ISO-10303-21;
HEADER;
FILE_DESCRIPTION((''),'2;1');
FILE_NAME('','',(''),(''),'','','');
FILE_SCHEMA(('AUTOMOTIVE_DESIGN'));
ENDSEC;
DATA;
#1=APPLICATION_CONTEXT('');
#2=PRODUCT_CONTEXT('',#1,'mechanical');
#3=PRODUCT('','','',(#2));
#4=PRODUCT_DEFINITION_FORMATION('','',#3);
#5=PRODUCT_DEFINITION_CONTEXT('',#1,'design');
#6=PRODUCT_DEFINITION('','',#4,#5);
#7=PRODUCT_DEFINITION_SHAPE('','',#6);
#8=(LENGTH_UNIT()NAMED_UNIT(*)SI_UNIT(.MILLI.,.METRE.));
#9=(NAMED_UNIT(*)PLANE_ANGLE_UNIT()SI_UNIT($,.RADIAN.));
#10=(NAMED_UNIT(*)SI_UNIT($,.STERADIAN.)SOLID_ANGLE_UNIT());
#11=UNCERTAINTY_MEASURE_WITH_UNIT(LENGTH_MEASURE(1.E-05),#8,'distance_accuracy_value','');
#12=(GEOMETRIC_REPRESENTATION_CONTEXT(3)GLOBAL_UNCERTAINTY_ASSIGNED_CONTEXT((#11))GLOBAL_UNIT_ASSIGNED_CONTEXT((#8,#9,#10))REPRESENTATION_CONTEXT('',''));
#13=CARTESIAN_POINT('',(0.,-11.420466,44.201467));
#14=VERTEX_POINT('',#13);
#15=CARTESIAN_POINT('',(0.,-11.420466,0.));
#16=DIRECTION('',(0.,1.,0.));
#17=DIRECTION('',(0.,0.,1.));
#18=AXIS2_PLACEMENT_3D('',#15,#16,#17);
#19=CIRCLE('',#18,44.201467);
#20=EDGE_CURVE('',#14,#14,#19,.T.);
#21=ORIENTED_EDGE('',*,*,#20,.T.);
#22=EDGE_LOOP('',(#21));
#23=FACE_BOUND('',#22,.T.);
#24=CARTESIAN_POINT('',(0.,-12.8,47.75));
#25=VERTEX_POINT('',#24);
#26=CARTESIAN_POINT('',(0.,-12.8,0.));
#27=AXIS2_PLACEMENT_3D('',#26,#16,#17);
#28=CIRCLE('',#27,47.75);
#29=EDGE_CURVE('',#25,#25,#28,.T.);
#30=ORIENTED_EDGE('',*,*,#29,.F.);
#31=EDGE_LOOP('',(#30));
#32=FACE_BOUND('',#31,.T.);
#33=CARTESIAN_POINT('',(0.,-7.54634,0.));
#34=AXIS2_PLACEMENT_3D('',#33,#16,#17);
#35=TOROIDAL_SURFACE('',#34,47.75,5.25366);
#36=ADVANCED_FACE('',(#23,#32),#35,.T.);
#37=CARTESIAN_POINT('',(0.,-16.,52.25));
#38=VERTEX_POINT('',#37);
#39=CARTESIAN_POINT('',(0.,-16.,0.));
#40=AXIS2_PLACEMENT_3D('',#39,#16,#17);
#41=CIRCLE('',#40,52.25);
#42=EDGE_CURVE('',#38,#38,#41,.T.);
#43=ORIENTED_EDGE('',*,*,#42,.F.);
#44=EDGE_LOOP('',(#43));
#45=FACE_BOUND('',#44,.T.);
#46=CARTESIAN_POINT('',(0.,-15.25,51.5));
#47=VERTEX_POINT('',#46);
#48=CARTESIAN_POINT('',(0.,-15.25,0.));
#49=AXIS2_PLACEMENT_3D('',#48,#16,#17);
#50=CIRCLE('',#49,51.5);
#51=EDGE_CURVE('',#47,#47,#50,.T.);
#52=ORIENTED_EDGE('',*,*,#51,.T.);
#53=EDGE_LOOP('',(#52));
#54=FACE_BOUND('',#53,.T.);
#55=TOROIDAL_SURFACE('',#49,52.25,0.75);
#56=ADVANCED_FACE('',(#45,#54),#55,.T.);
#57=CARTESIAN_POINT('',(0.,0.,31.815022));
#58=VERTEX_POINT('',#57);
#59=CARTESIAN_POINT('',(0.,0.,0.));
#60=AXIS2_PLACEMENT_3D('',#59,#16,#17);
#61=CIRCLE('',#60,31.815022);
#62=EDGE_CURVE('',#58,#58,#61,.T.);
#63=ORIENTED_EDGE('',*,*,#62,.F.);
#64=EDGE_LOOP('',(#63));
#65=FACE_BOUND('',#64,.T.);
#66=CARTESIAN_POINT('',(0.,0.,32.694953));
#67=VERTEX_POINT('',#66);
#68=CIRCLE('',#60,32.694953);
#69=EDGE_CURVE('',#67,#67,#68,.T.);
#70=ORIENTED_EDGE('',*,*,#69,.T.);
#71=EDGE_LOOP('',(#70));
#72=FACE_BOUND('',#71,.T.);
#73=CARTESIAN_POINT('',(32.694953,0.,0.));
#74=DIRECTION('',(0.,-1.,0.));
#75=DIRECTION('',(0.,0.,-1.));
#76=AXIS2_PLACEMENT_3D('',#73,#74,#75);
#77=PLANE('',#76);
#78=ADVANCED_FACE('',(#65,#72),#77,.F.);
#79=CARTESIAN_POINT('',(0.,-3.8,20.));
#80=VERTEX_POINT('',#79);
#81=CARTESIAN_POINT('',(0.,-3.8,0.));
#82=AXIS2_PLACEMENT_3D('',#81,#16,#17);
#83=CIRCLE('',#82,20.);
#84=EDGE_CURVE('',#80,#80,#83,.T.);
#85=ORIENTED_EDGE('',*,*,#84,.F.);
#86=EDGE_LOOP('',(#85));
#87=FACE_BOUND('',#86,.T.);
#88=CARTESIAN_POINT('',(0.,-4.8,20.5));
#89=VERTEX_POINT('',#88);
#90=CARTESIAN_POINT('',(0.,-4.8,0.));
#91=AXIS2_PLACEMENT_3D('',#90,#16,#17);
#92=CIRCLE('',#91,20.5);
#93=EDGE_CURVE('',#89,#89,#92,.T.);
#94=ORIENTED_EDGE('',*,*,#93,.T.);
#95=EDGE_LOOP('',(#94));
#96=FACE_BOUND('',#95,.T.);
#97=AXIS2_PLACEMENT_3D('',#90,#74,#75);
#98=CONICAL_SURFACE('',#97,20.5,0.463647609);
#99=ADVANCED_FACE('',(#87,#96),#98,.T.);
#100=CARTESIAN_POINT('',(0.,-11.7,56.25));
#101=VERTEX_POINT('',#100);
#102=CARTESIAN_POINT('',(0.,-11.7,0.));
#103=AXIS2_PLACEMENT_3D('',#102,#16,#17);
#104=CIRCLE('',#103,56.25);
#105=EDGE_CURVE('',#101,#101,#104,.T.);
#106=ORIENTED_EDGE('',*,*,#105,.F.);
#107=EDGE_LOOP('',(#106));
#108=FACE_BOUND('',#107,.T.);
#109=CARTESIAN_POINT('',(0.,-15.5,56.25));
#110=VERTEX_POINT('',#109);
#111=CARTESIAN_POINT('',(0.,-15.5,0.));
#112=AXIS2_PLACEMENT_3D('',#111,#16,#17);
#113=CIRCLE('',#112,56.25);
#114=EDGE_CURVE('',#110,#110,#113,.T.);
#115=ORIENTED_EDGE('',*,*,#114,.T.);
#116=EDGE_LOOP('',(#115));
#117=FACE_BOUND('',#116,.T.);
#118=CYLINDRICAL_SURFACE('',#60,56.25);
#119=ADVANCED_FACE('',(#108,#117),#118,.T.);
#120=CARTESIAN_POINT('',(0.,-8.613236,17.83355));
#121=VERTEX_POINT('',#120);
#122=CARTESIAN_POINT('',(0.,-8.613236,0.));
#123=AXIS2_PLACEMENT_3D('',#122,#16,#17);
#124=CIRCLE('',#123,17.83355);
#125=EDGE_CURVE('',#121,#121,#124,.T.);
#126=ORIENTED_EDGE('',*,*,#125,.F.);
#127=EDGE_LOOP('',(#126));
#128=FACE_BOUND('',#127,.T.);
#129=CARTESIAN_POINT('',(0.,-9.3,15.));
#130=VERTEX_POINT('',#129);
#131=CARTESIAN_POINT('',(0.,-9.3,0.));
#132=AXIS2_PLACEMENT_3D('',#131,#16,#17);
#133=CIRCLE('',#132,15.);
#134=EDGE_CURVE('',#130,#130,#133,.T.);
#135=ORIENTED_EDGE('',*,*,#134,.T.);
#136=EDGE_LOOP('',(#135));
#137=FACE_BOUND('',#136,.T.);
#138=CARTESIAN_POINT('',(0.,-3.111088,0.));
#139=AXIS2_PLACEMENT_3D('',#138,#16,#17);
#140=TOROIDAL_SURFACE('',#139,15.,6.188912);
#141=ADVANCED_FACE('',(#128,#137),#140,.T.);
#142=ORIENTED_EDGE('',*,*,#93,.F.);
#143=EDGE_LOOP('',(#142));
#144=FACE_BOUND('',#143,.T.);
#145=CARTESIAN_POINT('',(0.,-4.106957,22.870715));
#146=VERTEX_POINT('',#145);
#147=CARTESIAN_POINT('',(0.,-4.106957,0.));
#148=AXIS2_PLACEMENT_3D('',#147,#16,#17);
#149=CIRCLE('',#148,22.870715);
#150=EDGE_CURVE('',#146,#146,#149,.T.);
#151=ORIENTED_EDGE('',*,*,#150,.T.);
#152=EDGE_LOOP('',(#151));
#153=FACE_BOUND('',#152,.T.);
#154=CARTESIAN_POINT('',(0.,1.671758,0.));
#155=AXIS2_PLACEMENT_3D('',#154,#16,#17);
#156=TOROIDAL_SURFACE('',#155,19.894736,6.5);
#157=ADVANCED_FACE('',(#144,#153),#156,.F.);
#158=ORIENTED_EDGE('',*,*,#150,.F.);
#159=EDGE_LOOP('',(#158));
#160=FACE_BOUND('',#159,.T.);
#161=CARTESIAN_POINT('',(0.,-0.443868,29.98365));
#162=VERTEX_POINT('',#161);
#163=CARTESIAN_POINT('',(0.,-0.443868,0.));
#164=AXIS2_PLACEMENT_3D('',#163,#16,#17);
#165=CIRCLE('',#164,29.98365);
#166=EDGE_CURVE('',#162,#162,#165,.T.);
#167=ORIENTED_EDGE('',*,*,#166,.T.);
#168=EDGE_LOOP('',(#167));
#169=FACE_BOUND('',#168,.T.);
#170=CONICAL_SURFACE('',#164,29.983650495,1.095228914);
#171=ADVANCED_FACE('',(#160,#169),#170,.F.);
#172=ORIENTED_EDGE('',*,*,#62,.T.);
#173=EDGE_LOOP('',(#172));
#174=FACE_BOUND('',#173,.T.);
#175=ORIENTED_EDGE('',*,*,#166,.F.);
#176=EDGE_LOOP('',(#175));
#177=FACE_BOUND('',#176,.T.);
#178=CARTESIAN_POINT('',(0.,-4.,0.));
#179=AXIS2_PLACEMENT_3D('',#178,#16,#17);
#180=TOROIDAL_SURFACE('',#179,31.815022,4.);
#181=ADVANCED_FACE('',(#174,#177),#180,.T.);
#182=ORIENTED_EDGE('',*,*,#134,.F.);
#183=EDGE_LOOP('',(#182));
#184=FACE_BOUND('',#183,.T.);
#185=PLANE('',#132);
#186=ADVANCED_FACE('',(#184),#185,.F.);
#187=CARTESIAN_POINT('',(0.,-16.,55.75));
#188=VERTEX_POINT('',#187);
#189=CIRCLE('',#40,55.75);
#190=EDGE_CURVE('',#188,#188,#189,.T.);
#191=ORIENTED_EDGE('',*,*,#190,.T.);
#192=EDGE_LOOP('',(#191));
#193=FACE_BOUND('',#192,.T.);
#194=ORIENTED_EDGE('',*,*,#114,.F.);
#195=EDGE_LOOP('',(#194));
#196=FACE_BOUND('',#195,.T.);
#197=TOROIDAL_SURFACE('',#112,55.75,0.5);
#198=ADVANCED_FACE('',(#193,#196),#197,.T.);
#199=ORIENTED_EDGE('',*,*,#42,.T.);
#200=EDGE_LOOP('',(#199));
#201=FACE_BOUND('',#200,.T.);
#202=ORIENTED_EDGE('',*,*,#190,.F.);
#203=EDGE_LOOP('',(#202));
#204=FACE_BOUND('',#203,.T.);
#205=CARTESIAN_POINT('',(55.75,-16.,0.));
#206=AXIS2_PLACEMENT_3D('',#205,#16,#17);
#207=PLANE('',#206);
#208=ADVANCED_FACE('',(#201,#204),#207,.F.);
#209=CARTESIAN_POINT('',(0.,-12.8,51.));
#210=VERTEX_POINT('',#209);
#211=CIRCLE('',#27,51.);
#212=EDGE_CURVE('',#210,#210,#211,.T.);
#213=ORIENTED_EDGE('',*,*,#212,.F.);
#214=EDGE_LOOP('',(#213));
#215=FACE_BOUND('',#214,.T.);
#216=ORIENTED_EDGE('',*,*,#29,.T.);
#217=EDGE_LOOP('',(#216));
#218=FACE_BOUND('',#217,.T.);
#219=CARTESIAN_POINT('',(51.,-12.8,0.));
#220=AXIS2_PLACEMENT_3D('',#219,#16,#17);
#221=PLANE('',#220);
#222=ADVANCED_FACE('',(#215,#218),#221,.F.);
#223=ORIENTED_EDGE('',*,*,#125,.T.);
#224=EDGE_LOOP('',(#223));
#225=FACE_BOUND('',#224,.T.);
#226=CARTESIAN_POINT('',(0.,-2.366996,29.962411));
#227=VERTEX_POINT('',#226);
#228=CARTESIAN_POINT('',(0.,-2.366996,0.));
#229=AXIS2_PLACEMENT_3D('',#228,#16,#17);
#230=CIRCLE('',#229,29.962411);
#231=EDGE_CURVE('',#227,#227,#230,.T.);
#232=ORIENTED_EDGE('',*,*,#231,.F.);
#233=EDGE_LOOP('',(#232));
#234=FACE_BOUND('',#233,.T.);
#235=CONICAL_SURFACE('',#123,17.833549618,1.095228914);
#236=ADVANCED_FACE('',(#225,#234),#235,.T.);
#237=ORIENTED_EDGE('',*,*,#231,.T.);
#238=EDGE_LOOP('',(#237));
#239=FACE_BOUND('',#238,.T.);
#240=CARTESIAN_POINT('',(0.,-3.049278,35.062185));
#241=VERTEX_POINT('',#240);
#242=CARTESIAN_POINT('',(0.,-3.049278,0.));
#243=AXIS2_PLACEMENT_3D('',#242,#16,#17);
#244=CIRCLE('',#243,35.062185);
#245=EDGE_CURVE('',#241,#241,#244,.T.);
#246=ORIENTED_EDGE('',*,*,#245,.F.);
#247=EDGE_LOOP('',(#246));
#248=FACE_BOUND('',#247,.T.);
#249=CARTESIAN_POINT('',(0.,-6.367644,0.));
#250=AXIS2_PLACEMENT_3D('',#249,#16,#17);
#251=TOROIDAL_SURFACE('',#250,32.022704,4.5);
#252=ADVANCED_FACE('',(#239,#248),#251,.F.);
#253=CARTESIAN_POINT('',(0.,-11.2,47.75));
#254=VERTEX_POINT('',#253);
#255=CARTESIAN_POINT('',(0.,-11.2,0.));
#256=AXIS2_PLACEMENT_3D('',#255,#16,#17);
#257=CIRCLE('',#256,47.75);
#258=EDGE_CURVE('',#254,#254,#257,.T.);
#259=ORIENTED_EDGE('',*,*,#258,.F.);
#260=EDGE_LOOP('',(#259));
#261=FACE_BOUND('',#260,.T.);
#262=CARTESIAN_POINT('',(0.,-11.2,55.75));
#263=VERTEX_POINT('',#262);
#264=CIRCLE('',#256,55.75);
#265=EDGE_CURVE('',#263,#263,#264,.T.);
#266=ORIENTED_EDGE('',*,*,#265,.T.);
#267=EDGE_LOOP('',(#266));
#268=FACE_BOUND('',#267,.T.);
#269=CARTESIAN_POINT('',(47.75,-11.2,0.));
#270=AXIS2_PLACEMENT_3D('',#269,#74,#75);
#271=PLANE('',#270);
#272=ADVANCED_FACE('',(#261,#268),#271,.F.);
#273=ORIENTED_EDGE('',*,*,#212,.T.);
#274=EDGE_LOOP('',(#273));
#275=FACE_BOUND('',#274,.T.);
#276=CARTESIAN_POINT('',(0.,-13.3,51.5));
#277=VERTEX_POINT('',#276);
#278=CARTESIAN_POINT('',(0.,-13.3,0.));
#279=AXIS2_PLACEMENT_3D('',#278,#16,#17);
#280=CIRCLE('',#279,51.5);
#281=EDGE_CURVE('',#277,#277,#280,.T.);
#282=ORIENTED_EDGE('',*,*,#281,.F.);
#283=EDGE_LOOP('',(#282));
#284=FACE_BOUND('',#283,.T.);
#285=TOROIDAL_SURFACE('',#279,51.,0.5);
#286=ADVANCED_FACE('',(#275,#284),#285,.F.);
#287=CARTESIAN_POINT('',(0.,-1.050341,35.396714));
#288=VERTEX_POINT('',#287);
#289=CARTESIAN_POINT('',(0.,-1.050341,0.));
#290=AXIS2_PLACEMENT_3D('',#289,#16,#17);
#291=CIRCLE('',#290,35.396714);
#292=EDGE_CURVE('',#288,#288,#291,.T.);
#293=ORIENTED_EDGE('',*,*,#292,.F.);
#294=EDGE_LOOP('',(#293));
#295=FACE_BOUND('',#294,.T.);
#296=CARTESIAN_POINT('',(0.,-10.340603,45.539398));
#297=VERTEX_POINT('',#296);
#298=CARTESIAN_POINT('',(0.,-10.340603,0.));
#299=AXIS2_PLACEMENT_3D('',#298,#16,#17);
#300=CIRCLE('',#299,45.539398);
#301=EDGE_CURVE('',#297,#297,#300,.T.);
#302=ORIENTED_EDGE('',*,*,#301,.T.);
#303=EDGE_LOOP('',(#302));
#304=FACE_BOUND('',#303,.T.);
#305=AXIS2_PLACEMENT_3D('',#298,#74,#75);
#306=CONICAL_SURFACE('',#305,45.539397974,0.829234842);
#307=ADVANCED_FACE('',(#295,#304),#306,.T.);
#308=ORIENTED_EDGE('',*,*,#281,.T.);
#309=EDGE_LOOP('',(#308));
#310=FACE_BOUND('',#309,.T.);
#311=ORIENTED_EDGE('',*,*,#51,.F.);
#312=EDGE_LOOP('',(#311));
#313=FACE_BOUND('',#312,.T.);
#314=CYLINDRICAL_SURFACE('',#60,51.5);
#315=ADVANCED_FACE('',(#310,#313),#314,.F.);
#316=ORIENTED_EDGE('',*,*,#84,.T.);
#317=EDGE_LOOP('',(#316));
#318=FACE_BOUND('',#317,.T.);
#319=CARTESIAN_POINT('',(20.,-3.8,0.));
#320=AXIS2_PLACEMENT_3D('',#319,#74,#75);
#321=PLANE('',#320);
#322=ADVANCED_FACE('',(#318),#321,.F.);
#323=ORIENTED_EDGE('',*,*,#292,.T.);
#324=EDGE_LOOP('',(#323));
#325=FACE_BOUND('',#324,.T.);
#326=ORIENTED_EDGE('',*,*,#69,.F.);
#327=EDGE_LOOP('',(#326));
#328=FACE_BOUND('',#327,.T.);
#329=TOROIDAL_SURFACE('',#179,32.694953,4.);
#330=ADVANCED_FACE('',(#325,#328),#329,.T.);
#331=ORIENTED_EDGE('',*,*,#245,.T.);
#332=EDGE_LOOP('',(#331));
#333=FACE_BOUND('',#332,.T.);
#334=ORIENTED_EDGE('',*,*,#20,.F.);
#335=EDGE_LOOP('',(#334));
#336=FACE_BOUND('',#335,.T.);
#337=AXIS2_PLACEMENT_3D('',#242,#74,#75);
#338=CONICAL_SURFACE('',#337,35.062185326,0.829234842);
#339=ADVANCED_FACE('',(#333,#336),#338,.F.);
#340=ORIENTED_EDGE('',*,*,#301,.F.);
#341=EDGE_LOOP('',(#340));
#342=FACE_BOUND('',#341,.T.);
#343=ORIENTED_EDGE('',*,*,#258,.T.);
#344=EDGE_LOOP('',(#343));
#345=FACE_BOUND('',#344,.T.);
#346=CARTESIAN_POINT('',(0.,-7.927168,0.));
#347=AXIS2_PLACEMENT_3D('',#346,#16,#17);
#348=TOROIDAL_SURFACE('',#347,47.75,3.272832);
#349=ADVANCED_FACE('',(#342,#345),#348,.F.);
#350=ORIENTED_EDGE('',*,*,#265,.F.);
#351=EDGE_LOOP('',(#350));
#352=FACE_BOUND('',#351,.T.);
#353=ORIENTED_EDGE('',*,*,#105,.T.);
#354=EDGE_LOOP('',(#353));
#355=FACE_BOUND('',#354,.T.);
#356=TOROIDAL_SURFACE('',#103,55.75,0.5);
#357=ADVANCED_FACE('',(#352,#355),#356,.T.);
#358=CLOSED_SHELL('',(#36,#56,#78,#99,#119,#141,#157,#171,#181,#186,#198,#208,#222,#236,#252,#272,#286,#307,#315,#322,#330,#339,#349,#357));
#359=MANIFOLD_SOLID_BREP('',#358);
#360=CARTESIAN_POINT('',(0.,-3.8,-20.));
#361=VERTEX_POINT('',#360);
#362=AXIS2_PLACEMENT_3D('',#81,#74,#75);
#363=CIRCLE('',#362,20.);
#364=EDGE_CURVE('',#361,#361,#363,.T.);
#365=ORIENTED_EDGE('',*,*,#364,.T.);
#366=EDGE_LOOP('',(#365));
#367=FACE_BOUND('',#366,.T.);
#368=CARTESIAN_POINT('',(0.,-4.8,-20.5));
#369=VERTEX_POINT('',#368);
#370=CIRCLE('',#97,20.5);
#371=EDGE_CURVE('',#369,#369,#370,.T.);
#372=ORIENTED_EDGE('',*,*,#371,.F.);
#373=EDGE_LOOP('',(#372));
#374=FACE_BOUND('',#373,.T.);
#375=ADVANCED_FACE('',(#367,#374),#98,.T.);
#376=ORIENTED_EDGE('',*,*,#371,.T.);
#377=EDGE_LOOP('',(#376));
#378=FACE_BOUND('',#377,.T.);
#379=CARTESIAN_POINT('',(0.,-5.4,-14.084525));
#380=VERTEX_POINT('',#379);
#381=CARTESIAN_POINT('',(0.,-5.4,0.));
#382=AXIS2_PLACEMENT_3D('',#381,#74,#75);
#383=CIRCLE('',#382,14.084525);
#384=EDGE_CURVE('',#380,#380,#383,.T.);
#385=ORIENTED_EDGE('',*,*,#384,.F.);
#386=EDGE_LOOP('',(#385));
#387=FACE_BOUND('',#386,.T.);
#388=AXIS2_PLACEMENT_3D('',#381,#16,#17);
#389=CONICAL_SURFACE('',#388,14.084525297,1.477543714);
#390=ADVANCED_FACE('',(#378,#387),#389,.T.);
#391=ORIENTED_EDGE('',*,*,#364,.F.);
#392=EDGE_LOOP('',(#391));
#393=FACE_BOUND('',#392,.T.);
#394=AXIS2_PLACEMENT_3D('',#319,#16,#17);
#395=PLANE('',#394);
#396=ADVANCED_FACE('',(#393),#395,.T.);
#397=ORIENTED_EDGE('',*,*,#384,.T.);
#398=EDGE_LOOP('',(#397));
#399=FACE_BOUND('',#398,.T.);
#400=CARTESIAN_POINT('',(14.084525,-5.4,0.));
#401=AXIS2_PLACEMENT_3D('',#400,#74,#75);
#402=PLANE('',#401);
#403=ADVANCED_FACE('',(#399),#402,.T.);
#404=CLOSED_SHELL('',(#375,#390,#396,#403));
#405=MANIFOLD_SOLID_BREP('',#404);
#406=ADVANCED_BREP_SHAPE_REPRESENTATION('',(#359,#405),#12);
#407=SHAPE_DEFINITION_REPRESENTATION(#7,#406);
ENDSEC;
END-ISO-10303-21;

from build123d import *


with BuildPart() as part:
    # Sketch2 → Revolve1 (revolve)
    with BuildSketch(Plane.XY, mode=Mode.PRIVATE) as revolve1_sk:
        with BuildLine():
            Line((29.983650495, -0.443867684), (22.87071544, -4.1069567))
            ThreePointArc((22.87071544, -4.1069567), (21.718579032, -4.567119559), (20.5, -4.8))
            Line((20.5, -4.8), (20, -3.8))
            Line((20, -3.8), (0, -3.8))
            Line((0, -3.8), (0, -9.3))
            Line((0, -9.3), (15, -9.3))
            ThreePointArc((15, -9.3), (16.457793612, -9.125858931), (17.833549618, -8.613235546))
            Line((17.833549618, -8.613235546), (29.962411079, -2.366995583))
            ThreePointArc((29.962411079, -2.366995583), (32.619428304, -1.907384286), (35.062185326, -3.04927798))
            Line((35.062185326, -3.04927798), (44.201466627, -11.420466384))
            ThreePointArc((44.201466627, -11.420466384), (45.846371747, -12.442986109), (47.75, -12.8))
            Line((47.75, -12.8), (51, -12.8))
            ThreePointArc((51, -12.8), (51.353553391, -12.946446609), (51.5, -13.3))
            Line((51.5, -13.3), (51.5, -15.25))
            ThreePointArc((51.5, -15.25), (51.719669914, -15.780330086), (52.25, -16))
            Line((52.25, -16), (55.75, -16))
            ThreePointArc((55.75, -16), (56.103553391, -15.853553391), (56.25, -15.5))
            Line((56.25, -15.5), (56.25, -11.7))
            ThreePointArc((56.25, -11.7), (56.103553391, -11.346446609), (55.75, -11.2))
            Line((55.75, -11.2), (47.75, -11.2))
            ThreePointArc((47.75, -11.2), (46.564111626, -10.977593854), (45.539397974, -10.340602754))
            Line((45.539397974, -10.340602754), (35.396714268, -1.050340926))
            ThreePointArc((35.396714268, -1.050340926), (34.144326399, -0.271821068), (32.694953482, 0))
            Line((32.694953482, 0), (31.815022372, 0))
            ThreePointArc((31.815022372, 0), (30.872825276, -0.112550369), (29.983650495, -0.443867684))
        make_face()
    revolve(revolve1_sk.sketch.rotate(Axis((0, 0, 0), (0, -1, 0)), 90), axis=Axis((0, 0, 0), (0, -1, 0)))


with BuildPart() as body_2:
    # Sketch3 → Revolve2 (revolve)
    with BuildSketch(Plane.XY, mode=Mode.PRIVATE) as revolve2_sk:
        Polygon((20.5, -4.8), (14.084525297, -5.4), (0, -5.4), (0, -3.8), (20, -3.8), align=None)
    revolve(revolve2_sk.sketch.rotate(Axis((0, -20.910354892, 0), (0, 1, 0)), 90), axis=Axis((0, -20.910354892, 0), (0, 1, 0)))


solid = Compound([part.part, body_2.part])
